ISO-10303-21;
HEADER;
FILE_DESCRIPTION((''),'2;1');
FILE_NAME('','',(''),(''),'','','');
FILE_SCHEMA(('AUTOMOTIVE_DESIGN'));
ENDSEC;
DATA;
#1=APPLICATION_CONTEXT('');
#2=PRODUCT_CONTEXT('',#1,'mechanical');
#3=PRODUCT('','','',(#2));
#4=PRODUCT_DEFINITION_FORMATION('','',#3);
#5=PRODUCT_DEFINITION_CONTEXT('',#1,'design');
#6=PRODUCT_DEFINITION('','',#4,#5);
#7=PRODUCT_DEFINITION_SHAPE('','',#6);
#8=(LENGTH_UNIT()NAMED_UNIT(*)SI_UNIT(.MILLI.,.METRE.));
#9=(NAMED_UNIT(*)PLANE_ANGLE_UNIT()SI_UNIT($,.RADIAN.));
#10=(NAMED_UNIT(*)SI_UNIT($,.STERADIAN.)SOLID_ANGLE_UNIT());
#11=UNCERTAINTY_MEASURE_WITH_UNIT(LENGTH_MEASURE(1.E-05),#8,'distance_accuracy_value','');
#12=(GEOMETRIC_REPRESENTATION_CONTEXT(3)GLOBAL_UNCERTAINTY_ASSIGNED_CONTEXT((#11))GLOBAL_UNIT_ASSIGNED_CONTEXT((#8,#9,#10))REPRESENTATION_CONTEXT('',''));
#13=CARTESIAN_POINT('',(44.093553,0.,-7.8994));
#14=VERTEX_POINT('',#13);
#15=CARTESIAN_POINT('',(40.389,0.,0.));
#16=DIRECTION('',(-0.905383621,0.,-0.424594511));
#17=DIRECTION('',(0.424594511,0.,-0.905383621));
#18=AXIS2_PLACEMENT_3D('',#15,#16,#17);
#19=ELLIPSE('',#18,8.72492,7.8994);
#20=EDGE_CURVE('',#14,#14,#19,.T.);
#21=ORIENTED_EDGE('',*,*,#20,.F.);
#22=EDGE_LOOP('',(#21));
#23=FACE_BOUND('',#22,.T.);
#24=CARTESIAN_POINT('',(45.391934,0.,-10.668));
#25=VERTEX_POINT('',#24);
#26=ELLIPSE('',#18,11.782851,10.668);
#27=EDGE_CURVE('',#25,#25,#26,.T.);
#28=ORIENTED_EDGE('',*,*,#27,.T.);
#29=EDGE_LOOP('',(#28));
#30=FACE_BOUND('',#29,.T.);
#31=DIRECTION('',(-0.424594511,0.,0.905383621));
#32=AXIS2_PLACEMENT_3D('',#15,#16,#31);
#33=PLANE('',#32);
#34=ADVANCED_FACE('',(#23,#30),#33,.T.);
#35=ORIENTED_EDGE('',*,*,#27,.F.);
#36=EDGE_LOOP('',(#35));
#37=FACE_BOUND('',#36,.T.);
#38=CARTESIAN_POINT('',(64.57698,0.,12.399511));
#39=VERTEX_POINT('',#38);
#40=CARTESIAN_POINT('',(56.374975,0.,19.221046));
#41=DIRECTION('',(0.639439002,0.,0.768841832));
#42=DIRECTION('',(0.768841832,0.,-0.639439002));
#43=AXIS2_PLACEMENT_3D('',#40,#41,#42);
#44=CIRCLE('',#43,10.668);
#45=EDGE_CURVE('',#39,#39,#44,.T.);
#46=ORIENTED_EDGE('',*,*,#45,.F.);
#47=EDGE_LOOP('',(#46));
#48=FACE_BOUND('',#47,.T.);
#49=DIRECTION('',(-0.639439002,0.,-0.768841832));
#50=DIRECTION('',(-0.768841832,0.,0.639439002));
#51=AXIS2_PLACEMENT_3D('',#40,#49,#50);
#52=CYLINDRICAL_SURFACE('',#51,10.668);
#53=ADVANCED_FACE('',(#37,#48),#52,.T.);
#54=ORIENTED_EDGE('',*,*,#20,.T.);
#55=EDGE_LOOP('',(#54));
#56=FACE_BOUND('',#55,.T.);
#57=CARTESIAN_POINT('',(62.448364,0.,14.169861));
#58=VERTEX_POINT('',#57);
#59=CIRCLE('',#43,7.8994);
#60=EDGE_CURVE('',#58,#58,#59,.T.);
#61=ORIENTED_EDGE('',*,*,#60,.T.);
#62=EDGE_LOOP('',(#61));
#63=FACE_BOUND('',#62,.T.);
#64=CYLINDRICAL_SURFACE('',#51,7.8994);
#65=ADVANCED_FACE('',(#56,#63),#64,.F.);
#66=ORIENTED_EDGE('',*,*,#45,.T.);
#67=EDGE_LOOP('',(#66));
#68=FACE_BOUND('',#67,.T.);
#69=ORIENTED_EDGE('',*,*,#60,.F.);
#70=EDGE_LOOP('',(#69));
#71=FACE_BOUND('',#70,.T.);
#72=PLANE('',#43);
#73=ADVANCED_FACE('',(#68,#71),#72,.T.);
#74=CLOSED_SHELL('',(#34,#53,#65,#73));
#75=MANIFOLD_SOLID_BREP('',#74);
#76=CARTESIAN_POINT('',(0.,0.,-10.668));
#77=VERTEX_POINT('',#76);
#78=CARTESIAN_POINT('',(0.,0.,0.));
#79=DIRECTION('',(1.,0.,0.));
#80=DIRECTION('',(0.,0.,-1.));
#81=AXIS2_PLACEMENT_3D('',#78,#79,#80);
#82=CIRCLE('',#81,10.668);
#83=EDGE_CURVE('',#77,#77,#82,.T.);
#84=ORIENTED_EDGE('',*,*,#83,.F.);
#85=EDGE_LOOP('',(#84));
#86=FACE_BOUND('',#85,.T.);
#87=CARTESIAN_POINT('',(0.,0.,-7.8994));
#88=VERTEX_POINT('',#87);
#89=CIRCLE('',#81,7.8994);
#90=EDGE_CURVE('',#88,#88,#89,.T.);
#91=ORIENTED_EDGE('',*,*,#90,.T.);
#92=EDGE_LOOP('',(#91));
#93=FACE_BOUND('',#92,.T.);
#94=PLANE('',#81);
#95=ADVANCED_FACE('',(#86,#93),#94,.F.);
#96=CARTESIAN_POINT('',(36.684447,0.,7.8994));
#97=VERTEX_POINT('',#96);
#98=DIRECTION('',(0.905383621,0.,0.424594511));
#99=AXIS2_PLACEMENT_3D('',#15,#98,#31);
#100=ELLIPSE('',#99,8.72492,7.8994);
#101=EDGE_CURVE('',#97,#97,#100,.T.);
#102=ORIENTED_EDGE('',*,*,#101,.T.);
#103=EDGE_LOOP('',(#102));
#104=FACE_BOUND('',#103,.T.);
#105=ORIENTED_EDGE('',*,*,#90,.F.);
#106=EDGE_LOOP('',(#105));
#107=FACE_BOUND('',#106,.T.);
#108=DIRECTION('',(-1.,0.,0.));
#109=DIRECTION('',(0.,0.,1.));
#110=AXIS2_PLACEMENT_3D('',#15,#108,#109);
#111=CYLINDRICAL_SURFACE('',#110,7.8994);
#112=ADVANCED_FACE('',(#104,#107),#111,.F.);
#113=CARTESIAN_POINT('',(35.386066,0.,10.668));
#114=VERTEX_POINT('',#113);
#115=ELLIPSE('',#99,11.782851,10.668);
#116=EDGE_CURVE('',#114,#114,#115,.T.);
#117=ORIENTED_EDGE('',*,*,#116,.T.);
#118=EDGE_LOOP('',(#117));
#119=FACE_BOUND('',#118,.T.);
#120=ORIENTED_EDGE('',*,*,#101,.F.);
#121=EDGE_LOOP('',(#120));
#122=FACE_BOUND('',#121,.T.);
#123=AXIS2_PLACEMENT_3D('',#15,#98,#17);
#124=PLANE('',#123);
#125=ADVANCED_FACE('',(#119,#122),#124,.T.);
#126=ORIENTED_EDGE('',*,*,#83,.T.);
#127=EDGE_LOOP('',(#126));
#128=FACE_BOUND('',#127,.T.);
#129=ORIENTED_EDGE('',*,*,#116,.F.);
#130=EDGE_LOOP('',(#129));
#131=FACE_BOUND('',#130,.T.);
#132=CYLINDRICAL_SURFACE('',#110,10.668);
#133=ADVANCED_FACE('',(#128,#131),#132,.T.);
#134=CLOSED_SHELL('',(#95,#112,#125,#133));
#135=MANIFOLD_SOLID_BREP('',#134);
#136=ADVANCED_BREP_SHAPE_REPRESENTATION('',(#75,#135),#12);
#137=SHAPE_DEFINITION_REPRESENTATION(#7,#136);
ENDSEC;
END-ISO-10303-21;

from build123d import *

# Parameters (mm, degrees)
SKETCH11_R                = 10.668
SKETCH11_R_2              = 7.8994
PIPE_0_5_SCH_40_1_DEPTH   = 48.464216718
SKETCH11_ON_SEGMENT_2_R   = 10.668
SKETCH11_ON_SEGMENT_2_R_2 = 7.8994
PIPE_0_5_SCH_40_1_2_DEPTH = 33.075216718


with BuildPart() as part:
    # Sketch11 → Pipe 0.5 SCH 40(1) (new body)
    with BuildSketch(Plane(origin=(0, 0, 0), x_dir=(0, 0, -1), z_dir=(1, 0, 0))):
        Circle(SKETCH11_R)
        Circle(SKETCH11_R_2, mode=Mode.SUBTRACT)
    extrude(amount=PIPE_0_5_SCH_40_1_DEPTH)

    # Pipe 0.5 SCH 40(1) mitre 1
    split(bisect_by=Plane(origin=(40.389, 0, 0), x_dir=(0, -1, 0), z_dir=(-0.905383621, 0, -0.424594511)), keep=Keep.TOP)


with BuildPart() as body_2:
    # Sketch11 on segment 2 (carried to segment 2) → Pipe 0.5 SCH 40_1 2 (new body)
    with BuildSketch(Plane(origin=(35.225391481, 0, -6.208564416), x_dir=(0.768841832, 0, -0.639439002), z_dir=(0.639439002, 0, 0.768841832))):
        Circle(SKETCH11_ON_SEGMENT_2_R)
        Circle(SKETCH11_ON_SEGMENT_2_R_2, mode=Mode.SUBTRACT)
    extrude(amount=PIPE_0_5_SCH_40_1_2_DEPTH)

    # Pipe 0.5 SCH 40_1 2 mitre 1
    split(bisect_by=Plane(origin=(40.389, 0, 0), x_dir=(0, 1, 0), z_dir=(0.905383621, 0, 0.424594511)), keep=Keep.TOP)


solid = Compound([part.part, body_2.part])
